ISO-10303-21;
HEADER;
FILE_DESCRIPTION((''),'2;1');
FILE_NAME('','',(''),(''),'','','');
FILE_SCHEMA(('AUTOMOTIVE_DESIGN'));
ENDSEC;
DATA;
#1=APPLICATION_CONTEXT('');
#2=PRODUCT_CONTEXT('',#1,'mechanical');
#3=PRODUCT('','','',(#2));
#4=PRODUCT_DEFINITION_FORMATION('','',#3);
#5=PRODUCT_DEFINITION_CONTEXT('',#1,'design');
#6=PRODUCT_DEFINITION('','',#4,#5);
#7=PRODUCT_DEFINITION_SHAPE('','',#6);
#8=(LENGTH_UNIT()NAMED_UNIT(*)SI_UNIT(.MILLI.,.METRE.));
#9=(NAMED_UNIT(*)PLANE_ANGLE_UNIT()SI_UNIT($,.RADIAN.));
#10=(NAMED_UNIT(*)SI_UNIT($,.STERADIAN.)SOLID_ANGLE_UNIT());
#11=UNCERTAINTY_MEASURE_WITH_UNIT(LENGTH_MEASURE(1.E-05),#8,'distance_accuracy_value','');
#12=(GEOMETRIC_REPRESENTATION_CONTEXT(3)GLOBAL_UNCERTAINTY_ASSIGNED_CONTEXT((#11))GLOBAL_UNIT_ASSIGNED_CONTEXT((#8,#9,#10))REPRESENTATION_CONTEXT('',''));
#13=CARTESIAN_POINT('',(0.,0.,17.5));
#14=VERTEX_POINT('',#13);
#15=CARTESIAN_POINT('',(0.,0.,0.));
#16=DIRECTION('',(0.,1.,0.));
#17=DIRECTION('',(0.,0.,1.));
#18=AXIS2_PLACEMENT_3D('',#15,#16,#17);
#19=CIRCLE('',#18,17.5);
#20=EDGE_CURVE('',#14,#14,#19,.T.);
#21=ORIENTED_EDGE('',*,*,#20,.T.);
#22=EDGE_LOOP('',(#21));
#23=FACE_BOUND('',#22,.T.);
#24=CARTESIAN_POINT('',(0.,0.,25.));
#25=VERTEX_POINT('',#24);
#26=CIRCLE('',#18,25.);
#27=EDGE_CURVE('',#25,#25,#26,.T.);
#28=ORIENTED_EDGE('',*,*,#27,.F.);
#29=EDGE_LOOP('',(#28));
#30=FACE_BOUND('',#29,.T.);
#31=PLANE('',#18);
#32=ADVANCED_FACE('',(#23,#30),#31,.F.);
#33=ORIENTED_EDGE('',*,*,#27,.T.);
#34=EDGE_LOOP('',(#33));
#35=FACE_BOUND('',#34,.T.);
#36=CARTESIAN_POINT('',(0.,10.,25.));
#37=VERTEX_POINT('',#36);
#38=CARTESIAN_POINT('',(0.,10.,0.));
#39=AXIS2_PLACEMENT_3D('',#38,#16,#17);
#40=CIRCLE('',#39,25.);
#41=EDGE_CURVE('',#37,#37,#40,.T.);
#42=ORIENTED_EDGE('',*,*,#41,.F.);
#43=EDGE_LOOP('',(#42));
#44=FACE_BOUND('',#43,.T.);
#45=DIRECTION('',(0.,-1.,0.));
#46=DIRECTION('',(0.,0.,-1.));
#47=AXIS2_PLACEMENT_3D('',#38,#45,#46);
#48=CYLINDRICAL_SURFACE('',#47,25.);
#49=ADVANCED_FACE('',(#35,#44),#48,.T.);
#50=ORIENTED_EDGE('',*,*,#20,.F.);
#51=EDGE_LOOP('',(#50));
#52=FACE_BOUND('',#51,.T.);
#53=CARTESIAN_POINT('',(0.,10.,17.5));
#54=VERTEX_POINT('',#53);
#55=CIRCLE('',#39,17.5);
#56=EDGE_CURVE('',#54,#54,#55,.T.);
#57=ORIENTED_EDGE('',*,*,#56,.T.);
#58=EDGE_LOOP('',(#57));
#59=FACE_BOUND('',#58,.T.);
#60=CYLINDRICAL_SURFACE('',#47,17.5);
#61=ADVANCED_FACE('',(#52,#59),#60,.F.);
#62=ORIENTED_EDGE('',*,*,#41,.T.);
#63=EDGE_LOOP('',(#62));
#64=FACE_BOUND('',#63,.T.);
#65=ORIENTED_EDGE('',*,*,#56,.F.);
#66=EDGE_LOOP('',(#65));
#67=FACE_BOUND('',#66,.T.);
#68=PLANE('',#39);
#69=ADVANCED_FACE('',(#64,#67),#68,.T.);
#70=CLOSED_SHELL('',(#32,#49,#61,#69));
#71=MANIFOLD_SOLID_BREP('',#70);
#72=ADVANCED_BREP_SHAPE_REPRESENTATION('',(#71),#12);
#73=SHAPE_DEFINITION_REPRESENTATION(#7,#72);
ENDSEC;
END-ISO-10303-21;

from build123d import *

# Parameters (mm, degrees)
SKETCH1_R           = 25
SKETCH1_R_2         = 17.5
BOSS_EXTRUDE1_DEPTH = 10


with BuildPart() as part:
    # Sketch1 → Boss-Extrude1 (new body)
    with BuildSketch(Plane(origin=(0, 0, 0), x_dir=(1, 0, 0), z_dir=(0, 1, 0))):
        Circle(SKETCH1_R)
        Circle(SKETCH1_R_2, mode=Mode.SUBTRACT)
    extrude(amount=BOSS_EXTRUDE1_DEPTH)


solid = part.part
